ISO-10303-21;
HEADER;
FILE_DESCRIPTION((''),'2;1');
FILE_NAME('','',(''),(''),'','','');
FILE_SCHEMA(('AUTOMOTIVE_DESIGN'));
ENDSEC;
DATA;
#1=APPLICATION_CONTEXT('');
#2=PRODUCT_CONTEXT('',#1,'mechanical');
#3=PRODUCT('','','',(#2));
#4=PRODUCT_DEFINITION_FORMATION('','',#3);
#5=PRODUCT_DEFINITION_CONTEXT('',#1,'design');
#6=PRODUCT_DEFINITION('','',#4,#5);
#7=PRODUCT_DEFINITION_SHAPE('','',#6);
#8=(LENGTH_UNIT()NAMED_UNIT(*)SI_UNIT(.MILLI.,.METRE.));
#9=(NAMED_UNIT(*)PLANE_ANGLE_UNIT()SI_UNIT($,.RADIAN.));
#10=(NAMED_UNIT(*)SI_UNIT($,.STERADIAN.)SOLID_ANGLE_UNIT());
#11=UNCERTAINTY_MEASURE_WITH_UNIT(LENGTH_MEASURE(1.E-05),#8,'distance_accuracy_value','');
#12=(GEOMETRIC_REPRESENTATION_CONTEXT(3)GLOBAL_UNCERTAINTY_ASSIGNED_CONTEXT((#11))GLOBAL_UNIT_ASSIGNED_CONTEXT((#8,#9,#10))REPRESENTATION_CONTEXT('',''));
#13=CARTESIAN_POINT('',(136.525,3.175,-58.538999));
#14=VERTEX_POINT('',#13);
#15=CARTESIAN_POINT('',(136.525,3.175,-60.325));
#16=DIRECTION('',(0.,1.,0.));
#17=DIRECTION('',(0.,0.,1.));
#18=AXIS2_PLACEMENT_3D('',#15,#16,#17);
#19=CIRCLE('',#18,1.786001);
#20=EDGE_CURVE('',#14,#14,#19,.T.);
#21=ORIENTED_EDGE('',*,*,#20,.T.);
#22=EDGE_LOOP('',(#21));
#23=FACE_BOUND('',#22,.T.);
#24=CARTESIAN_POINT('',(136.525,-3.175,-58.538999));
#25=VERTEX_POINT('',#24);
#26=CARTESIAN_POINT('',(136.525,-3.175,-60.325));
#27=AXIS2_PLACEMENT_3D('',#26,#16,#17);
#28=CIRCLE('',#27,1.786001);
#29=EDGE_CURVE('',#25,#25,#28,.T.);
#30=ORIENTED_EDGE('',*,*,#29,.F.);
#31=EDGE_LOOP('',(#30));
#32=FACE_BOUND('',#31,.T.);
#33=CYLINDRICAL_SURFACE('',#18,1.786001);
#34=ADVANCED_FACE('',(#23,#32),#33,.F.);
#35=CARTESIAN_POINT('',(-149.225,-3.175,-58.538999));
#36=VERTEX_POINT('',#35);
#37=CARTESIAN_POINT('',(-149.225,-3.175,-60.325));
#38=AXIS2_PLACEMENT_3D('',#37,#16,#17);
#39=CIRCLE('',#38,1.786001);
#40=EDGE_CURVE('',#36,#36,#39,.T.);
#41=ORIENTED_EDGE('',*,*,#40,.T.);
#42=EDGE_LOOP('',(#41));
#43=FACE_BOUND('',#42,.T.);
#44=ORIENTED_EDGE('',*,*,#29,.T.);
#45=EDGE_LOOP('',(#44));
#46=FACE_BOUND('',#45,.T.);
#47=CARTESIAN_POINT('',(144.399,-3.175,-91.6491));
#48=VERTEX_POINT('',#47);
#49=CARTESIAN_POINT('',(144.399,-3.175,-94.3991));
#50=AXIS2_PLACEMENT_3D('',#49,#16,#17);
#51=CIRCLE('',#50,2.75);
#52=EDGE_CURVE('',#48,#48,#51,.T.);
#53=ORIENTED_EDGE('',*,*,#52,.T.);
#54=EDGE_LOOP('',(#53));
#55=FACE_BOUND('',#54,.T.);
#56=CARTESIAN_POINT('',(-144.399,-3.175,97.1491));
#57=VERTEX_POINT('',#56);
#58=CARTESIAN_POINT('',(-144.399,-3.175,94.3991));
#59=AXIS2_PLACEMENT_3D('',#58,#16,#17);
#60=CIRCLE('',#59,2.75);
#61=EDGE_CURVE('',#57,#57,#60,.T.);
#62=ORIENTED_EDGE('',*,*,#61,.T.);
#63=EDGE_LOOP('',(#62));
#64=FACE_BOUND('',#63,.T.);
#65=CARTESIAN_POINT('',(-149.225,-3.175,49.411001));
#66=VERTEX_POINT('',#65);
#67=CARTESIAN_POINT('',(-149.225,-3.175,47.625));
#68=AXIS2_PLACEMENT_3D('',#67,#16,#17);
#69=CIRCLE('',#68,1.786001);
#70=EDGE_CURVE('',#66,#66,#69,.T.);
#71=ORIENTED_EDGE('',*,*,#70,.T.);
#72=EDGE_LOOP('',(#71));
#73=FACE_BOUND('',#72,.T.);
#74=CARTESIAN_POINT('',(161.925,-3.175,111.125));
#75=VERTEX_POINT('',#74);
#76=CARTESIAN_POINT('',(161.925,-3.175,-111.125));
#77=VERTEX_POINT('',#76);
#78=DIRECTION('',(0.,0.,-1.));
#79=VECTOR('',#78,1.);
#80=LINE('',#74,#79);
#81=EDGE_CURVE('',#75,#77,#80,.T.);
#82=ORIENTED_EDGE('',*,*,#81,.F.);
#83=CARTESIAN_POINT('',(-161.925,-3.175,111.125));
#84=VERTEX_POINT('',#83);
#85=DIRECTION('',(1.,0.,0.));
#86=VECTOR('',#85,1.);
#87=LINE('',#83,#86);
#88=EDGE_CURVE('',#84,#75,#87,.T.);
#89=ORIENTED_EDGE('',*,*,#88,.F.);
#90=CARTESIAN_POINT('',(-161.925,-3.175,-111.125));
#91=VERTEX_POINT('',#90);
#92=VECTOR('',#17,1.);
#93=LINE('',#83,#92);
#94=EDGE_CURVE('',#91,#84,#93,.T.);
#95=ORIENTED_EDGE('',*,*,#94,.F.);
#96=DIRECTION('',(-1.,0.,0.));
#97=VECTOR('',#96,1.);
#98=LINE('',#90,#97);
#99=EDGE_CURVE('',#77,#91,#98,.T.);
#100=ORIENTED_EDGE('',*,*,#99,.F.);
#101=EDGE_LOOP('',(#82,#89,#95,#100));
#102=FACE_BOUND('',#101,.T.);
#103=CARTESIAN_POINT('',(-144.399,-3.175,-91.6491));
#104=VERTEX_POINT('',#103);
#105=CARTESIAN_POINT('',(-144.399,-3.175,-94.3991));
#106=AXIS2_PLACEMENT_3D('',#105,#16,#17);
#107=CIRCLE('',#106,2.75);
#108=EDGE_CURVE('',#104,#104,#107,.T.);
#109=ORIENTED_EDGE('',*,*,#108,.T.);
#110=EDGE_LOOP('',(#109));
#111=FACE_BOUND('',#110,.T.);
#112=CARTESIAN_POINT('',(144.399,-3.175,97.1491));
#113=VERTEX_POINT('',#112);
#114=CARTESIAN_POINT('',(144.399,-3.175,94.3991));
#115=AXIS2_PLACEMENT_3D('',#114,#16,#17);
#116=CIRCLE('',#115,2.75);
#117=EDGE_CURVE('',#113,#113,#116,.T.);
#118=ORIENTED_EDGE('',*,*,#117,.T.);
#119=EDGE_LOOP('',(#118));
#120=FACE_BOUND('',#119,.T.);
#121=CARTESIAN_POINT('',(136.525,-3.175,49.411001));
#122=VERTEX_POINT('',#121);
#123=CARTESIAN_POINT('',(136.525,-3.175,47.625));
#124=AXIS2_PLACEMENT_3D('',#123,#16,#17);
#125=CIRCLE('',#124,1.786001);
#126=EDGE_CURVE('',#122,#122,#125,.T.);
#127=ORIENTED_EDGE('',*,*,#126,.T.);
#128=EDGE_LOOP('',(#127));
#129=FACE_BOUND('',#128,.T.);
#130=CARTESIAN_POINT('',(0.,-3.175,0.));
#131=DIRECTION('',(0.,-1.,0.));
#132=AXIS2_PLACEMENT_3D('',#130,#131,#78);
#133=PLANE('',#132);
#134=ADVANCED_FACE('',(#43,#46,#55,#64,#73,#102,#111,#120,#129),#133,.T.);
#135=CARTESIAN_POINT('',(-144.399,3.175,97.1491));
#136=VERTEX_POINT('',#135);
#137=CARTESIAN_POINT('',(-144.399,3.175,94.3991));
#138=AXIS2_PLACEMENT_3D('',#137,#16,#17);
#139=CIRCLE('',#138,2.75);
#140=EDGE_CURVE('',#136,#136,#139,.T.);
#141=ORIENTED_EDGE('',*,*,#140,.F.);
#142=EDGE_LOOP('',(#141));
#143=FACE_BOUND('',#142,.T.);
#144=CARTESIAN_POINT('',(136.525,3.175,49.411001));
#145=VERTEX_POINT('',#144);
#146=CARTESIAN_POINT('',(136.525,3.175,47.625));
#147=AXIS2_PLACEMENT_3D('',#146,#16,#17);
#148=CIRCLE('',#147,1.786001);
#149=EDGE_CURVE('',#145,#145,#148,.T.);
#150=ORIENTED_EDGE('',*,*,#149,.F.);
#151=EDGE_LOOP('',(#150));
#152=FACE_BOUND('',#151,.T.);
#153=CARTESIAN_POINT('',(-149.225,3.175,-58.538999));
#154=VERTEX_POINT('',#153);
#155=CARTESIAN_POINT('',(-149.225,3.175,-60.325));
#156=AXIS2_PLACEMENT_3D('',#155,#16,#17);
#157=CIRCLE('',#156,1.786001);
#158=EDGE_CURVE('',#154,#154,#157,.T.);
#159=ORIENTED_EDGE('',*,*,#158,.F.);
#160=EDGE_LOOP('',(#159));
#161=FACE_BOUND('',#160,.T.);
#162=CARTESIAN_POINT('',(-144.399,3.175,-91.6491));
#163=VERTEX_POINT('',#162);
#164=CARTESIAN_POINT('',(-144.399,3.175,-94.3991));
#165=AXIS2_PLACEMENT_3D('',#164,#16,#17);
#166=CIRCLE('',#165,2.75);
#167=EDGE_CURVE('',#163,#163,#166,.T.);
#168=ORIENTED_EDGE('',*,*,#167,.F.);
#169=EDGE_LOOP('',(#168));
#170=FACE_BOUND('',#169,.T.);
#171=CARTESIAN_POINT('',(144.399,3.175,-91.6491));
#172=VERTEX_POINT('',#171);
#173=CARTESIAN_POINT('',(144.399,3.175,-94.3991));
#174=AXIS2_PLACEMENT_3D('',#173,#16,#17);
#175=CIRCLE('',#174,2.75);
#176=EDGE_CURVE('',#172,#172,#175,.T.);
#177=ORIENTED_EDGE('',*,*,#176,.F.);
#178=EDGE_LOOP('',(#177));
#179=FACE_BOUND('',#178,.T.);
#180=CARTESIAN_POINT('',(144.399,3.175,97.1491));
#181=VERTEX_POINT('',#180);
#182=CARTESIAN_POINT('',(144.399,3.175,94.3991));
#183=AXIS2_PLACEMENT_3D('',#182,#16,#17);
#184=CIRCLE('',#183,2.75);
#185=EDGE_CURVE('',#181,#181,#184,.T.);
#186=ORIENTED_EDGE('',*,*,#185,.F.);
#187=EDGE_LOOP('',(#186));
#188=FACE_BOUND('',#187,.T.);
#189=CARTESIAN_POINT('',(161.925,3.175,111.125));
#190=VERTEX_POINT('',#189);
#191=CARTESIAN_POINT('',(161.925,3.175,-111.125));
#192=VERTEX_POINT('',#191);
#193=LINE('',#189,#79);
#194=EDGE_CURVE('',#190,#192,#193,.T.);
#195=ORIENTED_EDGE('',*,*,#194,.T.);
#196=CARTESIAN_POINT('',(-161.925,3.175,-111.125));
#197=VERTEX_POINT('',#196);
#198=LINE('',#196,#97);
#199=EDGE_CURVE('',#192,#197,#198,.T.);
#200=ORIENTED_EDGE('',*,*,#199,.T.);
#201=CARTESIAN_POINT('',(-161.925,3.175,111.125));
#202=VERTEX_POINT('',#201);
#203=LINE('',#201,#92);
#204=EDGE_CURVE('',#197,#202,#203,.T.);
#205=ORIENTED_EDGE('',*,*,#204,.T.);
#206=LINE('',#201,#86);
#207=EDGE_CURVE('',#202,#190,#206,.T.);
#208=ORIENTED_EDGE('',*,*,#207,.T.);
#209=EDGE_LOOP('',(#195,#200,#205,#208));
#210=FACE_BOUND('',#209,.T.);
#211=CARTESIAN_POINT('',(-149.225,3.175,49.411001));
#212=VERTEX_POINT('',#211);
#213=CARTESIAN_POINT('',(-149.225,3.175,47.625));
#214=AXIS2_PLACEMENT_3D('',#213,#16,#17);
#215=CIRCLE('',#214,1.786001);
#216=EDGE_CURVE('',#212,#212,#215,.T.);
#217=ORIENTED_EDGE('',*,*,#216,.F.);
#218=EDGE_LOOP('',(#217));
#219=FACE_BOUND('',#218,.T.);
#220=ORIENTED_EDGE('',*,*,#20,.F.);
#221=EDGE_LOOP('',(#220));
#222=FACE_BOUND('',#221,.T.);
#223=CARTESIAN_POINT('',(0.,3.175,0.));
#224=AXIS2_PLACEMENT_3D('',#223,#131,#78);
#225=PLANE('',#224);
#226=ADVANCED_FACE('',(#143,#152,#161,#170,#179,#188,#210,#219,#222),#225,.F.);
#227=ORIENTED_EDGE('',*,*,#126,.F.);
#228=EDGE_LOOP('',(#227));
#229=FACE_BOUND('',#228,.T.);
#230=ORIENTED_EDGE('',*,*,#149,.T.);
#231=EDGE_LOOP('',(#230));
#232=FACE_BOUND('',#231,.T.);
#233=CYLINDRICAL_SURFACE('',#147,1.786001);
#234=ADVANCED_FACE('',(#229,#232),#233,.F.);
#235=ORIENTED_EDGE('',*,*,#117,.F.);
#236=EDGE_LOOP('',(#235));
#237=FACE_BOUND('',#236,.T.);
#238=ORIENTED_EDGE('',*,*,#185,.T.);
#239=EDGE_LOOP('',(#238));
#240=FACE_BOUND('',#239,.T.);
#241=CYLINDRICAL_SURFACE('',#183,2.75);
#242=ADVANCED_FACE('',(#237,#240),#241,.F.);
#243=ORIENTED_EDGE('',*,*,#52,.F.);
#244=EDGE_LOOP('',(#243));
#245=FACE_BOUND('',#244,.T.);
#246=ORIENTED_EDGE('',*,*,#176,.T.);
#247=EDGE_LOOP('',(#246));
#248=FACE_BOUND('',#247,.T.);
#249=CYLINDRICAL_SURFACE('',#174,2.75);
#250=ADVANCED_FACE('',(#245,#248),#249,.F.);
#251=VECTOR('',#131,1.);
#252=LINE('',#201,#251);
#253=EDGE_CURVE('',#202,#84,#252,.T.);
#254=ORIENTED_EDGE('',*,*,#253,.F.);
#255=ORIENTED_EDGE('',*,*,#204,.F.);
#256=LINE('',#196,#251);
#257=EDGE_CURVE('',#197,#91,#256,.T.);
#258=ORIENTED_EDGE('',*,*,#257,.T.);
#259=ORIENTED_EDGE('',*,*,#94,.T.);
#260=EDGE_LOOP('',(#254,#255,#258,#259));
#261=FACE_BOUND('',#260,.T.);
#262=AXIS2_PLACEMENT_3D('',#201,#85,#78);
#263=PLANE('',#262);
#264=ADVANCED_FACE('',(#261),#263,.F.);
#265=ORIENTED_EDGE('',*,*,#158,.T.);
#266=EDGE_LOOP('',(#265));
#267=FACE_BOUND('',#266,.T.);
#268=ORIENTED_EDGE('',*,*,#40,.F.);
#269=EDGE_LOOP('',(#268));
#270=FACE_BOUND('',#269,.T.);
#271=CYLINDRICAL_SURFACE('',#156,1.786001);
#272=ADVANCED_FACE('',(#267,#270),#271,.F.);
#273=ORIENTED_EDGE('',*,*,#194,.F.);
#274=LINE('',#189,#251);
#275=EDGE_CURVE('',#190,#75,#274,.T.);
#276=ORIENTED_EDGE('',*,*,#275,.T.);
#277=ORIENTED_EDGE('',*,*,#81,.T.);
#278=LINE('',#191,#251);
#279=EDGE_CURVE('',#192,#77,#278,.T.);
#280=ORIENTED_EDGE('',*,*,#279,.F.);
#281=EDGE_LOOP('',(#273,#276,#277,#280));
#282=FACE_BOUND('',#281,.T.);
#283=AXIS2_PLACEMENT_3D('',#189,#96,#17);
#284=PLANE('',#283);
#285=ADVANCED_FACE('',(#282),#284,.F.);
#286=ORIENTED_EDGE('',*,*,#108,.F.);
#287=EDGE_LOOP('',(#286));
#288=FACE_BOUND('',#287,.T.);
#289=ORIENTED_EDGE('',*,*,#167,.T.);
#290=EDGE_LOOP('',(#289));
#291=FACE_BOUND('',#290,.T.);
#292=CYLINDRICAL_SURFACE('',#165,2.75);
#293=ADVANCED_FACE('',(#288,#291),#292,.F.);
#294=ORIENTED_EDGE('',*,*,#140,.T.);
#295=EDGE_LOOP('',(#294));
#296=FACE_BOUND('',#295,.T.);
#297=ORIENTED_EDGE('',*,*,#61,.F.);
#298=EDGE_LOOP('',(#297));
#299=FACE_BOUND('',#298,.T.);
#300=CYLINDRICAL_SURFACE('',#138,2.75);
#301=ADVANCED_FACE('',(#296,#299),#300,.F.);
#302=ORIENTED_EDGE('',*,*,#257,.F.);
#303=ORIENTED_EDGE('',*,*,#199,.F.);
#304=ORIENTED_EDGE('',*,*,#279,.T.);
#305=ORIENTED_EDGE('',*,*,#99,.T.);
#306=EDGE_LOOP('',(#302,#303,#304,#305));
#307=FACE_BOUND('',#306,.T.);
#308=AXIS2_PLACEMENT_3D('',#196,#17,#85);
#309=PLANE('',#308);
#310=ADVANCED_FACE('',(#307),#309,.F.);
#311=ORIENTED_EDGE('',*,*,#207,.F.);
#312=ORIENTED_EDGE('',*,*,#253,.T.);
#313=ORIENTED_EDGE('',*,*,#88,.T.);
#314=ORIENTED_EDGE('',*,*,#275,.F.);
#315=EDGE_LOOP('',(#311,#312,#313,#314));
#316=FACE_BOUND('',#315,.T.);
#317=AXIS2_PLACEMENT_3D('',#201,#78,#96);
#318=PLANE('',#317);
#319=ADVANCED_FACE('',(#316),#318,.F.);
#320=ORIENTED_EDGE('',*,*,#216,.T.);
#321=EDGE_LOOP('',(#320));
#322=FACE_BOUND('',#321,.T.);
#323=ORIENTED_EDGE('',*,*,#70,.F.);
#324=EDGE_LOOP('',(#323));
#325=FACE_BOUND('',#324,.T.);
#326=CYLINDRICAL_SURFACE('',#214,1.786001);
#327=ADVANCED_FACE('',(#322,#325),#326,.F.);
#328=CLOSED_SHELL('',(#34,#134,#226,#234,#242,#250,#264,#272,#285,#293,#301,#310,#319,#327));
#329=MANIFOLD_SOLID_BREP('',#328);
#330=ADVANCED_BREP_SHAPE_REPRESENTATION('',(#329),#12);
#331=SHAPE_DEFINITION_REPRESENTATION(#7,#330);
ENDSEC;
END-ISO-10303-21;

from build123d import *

# Parameters (mm, degrees)
SKETCH1_W                       = 323.85
SKETCH1_H                       = 222.25
BOSS_EXTRUDE1_DEPTH             = 3.175
M5_CLEARANCE_HOLE1_D            = 5.5
F_9_64_0_14063_DIAMETER_HOLE1_D = 3.572002


with BuildPart() as part:
    # Sketch1 → Boss-Extrude1 (new, symmetric)
    with BuildSketch(Plane(origin=(0, 0, 0), x_dir=(1, 0, 0), z_dir=(0, 1, 0))):
        Rectangle(SKETCH1_W, SKETCH1_H)
    extrude(amount=BOSS_EXTRUDE1_DEPTH, both=True)

    # M5 Clearance Hole1 (through all)
    with Locations(Plane(origin=(0, 3.175, 0), x_dir=(1, 0, 0), z_dir=(0, 1, 0))):
        with Locations((-144.399, 94.3991), (144.399, 94.3991), (144.399, -94.3991), (-144.399, -94.3991)):
            Hole(M5_CLEARANCE_HOLE1_D / 2)

    # 9/64 (0.14063) Diameter Hole1 (through all)
    with Locations(Plane(origin=(0, 3.175, 0), x_dir=(1, 0, 0), z_dir=(0, 1, 0))):
        with Locations((-149.225, 60.325), (-149.225, -47.625), (136.525, 60.325), (136.525, -47.625)):
            Hole(F_9_64_0_14063_DIAMETER_HOLE1_D / 2)


solid = part.part
